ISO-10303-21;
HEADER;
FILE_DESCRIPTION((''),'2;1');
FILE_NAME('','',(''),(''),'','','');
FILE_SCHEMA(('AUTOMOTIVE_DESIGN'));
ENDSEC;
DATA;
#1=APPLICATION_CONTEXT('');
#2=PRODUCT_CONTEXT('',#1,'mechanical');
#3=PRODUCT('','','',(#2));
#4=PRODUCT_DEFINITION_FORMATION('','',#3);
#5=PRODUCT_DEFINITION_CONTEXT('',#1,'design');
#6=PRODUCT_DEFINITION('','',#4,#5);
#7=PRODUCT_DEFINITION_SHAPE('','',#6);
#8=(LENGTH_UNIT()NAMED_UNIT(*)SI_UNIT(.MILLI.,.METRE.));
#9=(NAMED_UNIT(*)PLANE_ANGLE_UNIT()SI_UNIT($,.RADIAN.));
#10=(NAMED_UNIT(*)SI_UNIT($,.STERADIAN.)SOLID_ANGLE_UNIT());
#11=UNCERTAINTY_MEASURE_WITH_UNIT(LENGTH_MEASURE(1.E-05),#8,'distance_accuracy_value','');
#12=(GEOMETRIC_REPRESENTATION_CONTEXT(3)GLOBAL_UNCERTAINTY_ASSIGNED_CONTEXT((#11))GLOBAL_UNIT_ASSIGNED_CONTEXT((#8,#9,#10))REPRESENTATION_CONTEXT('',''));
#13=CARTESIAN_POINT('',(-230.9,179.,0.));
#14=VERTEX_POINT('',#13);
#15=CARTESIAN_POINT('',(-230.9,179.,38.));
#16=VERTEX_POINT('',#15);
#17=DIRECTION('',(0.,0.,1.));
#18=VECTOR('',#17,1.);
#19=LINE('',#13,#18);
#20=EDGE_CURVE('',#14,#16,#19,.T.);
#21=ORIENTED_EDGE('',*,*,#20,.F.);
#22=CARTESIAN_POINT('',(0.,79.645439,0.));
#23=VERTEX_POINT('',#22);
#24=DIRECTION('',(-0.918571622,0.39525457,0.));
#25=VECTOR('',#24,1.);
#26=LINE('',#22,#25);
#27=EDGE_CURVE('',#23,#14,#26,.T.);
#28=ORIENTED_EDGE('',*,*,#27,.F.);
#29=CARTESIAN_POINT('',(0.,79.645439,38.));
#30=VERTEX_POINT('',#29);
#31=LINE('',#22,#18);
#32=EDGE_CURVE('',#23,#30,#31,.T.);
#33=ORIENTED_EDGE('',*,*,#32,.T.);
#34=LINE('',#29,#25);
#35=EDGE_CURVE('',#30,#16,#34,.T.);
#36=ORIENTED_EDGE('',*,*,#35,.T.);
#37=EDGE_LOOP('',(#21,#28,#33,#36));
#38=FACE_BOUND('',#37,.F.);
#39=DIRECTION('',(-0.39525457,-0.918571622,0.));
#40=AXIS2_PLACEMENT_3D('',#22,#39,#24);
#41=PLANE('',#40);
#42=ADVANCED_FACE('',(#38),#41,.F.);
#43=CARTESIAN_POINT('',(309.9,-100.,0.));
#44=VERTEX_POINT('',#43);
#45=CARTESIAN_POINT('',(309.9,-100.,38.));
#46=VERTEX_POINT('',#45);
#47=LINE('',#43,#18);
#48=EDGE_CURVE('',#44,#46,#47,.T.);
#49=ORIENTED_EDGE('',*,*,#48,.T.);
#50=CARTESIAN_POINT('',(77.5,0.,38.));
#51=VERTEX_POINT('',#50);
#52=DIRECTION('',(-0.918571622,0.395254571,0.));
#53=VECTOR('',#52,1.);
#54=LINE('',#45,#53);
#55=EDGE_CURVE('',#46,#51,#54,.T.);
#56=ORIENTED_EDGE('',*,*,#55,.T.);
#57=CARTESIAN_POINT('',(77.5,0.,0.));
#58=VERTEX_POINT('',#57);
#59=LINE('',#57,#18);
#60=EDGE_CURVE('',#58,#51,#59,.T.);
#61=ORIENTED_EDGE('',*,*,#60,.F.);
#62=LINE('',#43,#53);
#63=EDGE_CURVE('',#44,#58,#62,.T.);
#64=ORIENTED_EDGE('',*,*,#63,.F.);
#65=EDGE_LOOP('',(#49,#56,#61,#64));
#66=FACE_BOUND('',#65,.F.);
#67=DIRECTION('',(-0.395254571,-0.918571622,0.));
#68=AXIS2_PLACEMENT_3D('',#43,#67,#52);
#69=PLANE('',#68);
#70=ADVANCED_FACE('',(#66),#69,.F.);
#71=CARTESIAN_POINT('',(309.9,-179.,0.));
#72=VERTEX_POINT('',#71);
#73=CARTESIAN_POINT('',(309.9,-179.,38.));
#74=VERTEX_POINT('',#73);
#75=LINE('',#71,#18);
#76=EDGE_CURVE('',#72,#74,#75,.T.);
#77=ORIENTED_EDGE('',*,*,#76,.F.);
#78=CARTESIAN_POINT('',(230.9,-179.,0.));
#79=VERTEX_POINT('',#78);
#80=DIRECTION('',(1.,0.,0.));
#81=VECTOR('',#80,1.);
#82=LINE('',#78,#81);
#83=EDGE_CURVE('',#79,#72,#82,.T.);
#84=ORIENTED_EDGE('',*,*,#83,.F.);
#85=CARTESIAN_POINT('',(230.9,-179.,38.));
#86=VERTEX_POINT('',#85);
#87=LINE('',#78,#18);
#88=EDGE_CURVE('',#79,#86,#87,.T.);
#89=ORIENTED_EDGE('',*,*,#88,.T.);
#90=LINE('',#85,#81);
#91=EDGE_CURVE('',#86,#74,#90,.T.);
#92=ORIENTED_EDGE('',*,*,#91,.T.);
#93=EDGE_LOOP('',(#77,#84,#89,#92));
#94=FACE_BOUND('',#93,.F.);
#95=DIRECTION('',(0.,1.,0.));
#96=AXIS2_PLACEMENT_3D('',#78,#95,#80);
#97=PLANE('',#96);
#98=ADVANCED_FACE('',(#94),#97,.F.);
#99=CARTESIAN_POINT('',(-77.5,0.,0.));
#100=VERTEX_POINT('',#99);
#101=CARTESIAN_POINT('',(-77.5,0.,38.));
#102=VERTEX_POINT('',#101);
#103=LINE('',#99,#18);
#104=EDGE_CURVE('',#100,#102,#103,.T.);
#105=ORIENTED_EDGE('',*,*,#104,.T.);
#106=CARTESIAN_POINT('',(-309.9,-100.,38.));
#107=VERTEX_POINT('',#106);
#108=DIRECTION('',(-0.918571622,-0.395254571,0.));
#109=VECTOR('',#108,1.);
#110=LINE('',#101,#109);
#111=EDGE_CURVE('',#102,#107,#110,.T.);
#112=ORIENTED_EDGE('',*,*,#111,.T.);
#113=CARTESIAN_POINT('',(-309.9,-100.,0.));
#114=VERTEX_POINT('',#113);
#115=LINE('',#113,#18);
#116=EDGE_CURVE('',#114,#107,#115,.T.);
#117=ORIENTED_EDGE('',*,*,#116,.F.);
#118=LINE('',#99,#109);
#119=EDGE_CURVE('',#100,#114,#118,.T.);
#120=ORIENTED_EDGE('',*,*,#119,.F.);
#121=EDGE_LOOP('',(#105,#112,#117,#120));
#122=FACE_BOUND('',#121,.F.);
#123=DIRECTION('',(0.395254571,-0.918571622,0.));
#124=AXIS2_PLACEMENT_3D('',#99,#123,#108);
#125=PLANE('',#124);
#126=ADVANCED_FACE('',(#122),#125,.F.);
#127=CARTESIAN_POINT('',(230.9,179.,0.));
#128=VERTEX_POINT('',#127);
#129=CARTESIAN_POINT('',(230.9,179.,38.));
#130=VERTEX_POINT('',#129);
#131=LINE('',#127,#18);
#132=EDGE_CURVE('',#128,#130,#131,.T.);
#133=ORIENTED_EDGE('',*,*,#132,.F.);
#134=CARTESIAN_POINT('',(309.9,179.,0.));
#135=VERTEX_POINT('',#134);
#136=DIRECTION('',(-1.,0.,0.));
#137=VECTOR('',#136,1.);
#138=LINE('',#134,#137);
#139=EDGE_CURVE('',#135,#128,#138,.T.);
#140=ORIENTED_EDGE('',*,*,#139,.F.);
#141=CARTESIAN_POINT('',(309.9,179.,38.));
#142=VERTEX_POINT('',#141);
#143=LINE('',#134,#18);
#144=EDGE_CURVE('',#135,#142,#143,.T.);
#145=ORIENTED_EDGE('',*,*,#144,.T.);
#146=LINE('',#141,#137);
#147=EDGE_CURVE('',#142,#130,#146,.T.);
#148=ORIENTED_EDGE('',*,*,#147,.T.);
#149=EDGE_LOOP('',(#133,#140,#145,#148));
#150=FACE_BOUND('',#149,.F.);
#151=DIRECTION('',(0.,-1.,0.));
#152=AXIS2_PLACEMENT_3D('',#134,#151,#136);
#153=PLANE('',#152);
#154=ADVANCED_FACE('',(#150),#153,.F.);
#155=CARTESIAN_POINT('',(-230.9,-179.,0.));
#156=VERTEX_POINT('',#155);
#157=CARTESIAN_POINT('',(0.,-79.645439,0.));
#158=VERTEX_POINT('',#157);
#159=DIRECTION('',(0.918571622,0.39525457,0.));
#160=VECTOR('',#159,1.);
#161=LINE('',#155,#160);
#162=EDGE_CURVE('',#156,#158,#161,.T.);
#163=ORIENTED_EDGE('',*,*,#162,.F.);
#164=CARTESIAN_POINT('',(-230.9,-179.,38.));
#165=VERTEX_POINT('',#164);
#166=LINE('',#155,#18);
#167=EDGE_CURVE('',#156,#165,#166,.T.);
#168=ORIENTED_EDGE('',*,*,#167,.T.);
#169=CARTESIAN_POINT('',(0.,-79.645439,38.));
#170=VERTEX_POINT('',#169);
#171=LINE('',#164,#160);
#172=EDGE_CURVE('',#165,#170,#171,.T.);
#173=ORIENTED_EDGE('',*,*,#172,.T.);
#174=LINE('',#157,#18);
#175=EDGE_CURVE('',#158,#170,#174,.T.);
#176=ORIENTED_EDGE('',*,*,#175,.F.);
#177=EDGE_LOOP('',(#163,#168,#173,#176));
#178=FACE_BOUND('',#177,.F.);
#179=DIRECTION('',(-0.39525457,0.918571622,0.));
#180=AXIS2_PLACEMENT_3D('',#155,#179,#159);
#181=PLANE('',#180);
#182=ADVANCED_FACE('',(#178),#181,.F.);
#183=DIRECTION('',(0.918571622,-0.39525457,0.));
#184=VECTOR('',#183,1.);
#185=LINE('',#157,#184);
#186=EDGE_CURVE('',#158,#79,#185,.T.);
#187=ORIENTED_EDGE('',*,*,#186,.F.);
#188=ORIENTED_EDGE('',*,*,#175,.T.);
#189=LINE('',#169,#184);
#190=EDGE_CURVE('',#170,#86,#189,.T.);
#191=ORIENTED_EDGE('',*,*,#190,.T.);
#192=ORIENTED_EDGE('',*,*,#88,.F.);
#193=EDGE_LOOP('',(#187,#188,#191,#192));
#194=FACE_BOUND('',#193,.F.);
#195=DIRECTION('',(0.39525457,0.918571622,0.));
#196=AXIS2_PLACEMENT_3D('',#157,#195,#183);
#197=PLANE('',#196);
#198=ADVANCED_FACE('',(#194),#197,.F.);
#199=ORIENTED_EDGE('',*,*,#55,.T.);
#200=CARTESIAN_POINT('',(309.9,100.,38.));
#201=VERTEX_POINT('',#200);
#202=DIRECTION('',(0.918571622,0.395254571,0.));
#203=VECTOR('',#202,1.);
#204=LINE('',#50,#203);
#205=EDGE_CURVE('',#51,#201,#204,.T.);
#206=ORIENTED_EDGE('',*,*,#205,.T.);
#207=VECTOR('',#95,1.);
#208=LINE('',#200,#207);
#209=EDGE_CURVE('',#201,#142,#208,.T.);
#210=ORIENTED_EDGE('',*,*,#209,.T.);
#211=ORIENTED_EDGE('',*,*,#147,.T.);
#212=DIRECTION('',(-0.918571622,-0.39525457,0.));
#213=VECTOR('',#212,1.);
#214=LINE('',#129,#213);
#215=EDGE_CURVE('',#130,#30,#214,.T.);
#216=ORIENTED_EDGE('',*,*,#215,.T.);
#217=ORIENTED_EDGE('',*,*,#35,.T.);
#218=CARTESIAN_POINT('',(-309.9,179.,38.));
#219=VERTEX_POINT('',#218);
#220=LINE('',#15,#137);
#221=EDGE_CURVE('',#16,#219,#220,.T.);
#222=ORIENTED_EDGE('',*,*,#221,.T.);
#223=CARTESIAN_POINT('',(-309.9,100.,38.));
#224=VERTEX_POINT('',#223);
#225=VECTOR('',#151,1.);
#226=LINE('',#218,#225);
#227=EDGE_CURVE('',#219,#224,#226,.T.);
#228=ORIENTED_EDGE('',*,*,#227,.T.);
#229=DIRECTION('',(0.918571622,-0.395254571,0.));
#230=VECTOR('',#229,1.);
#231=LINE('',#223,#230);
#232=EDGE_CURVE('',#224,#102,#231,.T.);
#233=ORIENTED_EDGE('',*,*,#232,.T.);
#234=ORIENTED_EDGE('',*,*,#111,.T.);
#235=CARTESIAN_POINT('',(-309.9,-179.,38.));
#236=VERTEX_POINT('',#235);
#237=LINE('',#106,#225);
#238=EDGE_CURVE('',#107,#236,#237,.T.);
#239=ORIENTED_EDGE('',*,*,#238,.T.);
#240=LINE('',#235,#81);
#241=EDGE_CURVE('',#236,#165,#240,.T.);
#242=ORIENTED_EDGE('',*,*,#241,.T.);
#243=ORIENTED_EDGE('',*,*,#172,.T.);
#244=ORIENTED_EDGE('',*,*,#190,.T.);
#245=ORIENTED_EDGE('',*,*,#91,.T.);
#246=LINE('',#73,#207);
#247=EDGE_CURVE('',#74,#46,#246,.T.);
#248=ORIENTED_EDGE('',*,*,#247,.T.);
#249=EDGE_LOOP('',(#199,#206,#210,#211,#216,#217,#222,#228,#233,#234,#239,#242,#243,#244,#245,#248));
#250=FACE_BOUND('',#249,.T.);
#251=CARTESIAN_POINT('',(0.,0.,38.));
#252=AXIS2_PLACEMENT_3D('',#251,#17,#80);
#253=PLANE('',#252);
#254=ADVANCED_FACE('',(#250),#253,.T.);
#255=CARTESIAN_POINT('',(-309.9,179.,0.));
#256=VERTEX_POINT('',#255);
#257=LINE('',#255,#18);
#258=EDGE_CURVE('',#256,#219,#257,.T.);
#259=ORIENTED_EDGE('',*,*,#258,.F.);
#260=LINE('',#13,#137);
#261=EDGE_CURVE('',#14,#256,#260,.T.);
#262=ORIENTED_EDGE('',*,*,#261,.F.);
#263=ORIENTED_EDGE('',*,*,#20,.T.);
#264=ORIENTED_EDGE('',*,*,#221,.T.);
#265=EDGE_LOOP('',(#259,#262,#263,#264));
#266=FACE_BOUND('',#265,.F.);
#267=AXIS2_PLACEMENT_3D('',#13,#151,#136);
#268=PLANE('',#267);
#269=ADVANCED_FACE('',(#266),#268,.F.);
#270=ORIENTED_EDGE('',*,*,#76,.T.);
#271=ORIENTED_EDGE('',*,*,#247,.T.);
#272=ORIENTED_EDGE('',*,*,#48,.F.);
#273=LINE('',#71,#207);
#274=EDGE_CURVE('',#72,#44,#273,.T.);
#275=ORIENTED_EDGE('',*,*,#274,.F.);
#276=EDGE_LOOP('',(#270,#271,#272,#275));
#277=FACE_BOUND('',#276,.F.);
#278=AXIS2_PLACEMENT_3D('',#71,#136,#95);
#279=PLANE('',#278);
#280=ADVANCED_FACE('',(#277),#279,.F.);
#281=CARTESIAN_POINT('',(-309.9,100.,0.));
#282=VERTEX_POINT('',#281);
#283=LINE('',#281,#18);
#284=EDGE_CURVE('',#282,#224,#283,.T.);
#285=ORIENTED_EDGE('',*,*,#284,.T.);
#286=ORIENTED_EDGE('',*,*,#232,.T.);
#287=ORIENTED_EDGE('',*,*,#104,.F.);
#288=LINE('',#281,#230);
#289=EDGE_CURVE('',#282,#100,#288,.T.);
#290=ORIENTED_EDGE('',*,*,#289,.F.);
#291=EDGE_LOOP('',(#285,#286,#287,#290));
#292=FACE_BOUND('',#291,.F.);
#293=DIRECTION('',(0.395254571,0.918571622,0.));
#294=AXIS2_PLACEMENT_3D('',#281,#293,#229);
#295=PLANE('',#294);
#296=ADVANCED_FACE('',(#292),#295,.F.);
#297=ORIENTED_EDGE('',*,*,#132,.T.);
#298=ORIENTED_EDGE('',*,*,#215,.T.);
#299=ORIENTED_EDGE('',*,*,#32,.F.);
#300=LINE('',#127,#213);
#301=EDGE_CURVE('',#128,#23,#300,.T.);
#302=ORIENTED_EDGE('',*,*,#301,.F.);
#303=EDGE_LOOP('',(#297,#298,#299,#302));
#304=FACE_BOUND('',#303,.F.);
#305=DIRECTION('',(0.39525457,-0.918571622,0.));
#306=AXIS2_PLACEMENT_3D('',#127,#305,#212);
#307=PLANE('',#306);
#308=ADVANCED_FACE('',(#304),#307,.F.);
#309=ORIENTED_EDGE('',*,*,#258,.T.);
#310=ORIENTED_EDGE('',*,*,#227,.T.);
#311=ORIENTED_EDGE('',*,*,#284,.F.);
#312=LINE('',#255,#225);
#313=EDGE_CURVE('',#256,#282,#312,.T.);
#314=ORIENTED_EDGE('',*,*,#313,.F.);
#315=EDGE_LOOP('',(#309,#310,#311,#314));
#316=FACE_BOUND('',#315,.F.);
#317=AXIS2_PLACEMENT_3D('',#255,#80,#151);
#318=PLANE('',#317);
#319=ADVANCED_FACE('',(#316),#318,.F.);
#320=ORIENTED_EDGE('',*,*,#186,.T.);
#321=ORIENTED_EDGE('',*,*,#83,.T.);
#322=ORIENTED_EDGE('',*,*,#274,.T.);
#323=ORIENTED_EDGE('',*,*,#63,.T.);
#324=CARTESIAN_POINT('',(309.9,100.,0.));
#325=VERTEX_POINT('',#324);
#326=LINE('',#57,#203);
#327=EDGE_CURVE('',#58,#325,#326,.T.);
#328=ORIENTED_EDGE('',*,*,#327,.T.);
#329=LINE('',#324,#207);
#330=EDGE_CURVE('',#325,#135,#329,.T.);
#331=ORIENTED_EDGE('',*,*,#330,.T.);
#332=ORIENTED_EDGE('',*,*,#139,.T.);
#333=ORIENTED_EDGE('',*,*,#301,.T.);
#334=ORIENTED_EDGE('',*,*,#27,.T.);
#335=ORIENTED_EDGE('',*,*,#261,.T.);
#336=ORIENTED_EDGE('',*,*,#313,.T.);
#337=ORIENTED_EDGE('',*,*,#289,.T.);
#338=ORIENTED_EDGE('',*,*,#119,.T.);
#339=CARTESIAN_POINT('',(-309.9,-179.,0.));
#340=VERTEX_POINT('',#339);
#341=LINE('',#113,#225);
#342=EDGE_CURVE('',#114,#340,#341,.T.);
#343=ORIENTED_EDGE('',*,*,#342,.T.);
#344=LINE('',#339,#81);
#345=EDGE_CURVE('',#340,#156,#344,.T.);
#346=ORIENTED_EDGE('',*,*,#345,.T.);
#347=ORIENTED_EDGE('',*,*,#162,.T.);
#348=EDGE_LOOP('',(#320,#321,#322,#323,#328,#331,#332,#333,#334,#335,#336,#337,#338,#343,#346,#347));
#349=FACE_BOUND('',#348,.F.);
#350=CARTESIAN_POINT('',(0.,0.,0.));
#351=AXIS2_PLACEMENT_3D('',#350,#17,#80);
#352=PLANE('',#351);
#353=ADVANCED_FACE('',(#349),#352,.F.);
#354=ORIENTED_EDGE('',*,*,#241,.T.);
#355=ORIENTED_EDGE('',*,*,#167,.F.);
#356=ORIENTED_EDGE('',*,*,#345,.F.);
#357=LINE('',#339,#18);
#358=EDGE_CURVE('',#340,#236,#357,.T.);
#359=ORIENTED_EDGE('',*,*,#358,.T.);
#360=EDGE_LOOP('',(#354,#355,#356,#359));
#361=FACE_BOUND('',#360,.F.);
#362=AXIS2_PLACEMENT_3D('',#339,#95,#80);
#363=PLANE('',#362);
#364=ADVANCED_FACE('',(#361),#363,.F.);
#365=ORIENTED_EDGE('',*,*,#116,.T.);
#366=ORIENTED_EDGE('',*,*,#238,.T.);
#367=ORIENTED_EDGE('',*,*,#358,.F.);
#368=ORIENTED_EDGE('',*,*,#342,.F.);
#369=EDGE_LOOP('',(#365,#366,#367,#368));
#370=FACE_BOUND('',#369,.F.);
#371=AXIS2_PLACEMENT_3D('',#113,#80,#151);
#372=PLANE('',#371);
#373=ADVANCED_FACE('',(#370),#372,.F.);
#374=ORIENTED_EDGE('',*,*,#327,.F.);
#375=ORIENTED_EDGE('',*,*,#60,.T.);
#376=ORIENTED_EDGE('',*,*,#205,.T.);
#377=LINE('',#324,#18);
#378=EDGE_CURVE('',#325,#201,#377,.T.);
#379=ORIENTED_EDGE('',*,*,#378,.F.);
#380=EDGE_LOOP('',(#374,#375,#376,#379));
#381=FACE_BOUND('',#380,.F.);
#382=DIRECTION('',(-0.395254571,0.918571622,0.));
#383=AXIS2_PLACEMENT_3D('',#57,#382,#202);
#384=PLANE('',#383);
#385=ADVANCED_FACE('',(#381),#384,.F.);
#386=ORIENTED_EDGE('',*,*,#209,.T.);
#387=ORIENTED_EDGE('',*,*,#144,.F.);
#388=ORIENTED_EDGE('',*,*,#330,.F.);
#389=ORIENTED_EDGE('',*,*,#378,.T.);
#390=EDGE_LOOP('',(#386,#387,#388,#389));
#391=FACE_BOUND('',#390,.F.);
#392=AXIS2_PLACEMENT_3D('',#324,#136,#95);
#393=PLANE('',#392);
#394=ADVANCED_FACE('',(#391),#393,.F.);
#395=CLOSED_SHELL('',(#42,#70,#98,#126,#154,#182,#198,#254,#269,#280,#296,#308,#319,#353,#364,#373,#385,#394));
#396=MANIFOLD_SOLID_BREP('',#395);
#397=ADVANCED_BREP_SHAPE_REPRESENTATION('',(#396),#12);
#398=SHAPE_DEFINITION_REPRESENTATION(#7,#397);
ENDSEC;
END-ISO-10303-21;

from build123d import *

# Parameters (mm, degrees)
F1_DEPTH = 38


with BuildPart() as f1:
    # F0 (on Top) → F1 (new body)
    with BuildSketch(Plane.XY):
        Polygon((-77.5, 0), (-309.9, -100), (-309.9, -179), (-230.9, -179), (0, -79.645439), (230.9, -179), (309.9, -179), (309.9, -100), (77.5, 0), (309.9, 100), (309.9, 179), (230.9, 179), (0, 79.645439), (-230.9, 179), (-309.9, 179), (-309.9, 100), align=None)
    extrude(amount=F1_DEPTH)


solid = f1.part
